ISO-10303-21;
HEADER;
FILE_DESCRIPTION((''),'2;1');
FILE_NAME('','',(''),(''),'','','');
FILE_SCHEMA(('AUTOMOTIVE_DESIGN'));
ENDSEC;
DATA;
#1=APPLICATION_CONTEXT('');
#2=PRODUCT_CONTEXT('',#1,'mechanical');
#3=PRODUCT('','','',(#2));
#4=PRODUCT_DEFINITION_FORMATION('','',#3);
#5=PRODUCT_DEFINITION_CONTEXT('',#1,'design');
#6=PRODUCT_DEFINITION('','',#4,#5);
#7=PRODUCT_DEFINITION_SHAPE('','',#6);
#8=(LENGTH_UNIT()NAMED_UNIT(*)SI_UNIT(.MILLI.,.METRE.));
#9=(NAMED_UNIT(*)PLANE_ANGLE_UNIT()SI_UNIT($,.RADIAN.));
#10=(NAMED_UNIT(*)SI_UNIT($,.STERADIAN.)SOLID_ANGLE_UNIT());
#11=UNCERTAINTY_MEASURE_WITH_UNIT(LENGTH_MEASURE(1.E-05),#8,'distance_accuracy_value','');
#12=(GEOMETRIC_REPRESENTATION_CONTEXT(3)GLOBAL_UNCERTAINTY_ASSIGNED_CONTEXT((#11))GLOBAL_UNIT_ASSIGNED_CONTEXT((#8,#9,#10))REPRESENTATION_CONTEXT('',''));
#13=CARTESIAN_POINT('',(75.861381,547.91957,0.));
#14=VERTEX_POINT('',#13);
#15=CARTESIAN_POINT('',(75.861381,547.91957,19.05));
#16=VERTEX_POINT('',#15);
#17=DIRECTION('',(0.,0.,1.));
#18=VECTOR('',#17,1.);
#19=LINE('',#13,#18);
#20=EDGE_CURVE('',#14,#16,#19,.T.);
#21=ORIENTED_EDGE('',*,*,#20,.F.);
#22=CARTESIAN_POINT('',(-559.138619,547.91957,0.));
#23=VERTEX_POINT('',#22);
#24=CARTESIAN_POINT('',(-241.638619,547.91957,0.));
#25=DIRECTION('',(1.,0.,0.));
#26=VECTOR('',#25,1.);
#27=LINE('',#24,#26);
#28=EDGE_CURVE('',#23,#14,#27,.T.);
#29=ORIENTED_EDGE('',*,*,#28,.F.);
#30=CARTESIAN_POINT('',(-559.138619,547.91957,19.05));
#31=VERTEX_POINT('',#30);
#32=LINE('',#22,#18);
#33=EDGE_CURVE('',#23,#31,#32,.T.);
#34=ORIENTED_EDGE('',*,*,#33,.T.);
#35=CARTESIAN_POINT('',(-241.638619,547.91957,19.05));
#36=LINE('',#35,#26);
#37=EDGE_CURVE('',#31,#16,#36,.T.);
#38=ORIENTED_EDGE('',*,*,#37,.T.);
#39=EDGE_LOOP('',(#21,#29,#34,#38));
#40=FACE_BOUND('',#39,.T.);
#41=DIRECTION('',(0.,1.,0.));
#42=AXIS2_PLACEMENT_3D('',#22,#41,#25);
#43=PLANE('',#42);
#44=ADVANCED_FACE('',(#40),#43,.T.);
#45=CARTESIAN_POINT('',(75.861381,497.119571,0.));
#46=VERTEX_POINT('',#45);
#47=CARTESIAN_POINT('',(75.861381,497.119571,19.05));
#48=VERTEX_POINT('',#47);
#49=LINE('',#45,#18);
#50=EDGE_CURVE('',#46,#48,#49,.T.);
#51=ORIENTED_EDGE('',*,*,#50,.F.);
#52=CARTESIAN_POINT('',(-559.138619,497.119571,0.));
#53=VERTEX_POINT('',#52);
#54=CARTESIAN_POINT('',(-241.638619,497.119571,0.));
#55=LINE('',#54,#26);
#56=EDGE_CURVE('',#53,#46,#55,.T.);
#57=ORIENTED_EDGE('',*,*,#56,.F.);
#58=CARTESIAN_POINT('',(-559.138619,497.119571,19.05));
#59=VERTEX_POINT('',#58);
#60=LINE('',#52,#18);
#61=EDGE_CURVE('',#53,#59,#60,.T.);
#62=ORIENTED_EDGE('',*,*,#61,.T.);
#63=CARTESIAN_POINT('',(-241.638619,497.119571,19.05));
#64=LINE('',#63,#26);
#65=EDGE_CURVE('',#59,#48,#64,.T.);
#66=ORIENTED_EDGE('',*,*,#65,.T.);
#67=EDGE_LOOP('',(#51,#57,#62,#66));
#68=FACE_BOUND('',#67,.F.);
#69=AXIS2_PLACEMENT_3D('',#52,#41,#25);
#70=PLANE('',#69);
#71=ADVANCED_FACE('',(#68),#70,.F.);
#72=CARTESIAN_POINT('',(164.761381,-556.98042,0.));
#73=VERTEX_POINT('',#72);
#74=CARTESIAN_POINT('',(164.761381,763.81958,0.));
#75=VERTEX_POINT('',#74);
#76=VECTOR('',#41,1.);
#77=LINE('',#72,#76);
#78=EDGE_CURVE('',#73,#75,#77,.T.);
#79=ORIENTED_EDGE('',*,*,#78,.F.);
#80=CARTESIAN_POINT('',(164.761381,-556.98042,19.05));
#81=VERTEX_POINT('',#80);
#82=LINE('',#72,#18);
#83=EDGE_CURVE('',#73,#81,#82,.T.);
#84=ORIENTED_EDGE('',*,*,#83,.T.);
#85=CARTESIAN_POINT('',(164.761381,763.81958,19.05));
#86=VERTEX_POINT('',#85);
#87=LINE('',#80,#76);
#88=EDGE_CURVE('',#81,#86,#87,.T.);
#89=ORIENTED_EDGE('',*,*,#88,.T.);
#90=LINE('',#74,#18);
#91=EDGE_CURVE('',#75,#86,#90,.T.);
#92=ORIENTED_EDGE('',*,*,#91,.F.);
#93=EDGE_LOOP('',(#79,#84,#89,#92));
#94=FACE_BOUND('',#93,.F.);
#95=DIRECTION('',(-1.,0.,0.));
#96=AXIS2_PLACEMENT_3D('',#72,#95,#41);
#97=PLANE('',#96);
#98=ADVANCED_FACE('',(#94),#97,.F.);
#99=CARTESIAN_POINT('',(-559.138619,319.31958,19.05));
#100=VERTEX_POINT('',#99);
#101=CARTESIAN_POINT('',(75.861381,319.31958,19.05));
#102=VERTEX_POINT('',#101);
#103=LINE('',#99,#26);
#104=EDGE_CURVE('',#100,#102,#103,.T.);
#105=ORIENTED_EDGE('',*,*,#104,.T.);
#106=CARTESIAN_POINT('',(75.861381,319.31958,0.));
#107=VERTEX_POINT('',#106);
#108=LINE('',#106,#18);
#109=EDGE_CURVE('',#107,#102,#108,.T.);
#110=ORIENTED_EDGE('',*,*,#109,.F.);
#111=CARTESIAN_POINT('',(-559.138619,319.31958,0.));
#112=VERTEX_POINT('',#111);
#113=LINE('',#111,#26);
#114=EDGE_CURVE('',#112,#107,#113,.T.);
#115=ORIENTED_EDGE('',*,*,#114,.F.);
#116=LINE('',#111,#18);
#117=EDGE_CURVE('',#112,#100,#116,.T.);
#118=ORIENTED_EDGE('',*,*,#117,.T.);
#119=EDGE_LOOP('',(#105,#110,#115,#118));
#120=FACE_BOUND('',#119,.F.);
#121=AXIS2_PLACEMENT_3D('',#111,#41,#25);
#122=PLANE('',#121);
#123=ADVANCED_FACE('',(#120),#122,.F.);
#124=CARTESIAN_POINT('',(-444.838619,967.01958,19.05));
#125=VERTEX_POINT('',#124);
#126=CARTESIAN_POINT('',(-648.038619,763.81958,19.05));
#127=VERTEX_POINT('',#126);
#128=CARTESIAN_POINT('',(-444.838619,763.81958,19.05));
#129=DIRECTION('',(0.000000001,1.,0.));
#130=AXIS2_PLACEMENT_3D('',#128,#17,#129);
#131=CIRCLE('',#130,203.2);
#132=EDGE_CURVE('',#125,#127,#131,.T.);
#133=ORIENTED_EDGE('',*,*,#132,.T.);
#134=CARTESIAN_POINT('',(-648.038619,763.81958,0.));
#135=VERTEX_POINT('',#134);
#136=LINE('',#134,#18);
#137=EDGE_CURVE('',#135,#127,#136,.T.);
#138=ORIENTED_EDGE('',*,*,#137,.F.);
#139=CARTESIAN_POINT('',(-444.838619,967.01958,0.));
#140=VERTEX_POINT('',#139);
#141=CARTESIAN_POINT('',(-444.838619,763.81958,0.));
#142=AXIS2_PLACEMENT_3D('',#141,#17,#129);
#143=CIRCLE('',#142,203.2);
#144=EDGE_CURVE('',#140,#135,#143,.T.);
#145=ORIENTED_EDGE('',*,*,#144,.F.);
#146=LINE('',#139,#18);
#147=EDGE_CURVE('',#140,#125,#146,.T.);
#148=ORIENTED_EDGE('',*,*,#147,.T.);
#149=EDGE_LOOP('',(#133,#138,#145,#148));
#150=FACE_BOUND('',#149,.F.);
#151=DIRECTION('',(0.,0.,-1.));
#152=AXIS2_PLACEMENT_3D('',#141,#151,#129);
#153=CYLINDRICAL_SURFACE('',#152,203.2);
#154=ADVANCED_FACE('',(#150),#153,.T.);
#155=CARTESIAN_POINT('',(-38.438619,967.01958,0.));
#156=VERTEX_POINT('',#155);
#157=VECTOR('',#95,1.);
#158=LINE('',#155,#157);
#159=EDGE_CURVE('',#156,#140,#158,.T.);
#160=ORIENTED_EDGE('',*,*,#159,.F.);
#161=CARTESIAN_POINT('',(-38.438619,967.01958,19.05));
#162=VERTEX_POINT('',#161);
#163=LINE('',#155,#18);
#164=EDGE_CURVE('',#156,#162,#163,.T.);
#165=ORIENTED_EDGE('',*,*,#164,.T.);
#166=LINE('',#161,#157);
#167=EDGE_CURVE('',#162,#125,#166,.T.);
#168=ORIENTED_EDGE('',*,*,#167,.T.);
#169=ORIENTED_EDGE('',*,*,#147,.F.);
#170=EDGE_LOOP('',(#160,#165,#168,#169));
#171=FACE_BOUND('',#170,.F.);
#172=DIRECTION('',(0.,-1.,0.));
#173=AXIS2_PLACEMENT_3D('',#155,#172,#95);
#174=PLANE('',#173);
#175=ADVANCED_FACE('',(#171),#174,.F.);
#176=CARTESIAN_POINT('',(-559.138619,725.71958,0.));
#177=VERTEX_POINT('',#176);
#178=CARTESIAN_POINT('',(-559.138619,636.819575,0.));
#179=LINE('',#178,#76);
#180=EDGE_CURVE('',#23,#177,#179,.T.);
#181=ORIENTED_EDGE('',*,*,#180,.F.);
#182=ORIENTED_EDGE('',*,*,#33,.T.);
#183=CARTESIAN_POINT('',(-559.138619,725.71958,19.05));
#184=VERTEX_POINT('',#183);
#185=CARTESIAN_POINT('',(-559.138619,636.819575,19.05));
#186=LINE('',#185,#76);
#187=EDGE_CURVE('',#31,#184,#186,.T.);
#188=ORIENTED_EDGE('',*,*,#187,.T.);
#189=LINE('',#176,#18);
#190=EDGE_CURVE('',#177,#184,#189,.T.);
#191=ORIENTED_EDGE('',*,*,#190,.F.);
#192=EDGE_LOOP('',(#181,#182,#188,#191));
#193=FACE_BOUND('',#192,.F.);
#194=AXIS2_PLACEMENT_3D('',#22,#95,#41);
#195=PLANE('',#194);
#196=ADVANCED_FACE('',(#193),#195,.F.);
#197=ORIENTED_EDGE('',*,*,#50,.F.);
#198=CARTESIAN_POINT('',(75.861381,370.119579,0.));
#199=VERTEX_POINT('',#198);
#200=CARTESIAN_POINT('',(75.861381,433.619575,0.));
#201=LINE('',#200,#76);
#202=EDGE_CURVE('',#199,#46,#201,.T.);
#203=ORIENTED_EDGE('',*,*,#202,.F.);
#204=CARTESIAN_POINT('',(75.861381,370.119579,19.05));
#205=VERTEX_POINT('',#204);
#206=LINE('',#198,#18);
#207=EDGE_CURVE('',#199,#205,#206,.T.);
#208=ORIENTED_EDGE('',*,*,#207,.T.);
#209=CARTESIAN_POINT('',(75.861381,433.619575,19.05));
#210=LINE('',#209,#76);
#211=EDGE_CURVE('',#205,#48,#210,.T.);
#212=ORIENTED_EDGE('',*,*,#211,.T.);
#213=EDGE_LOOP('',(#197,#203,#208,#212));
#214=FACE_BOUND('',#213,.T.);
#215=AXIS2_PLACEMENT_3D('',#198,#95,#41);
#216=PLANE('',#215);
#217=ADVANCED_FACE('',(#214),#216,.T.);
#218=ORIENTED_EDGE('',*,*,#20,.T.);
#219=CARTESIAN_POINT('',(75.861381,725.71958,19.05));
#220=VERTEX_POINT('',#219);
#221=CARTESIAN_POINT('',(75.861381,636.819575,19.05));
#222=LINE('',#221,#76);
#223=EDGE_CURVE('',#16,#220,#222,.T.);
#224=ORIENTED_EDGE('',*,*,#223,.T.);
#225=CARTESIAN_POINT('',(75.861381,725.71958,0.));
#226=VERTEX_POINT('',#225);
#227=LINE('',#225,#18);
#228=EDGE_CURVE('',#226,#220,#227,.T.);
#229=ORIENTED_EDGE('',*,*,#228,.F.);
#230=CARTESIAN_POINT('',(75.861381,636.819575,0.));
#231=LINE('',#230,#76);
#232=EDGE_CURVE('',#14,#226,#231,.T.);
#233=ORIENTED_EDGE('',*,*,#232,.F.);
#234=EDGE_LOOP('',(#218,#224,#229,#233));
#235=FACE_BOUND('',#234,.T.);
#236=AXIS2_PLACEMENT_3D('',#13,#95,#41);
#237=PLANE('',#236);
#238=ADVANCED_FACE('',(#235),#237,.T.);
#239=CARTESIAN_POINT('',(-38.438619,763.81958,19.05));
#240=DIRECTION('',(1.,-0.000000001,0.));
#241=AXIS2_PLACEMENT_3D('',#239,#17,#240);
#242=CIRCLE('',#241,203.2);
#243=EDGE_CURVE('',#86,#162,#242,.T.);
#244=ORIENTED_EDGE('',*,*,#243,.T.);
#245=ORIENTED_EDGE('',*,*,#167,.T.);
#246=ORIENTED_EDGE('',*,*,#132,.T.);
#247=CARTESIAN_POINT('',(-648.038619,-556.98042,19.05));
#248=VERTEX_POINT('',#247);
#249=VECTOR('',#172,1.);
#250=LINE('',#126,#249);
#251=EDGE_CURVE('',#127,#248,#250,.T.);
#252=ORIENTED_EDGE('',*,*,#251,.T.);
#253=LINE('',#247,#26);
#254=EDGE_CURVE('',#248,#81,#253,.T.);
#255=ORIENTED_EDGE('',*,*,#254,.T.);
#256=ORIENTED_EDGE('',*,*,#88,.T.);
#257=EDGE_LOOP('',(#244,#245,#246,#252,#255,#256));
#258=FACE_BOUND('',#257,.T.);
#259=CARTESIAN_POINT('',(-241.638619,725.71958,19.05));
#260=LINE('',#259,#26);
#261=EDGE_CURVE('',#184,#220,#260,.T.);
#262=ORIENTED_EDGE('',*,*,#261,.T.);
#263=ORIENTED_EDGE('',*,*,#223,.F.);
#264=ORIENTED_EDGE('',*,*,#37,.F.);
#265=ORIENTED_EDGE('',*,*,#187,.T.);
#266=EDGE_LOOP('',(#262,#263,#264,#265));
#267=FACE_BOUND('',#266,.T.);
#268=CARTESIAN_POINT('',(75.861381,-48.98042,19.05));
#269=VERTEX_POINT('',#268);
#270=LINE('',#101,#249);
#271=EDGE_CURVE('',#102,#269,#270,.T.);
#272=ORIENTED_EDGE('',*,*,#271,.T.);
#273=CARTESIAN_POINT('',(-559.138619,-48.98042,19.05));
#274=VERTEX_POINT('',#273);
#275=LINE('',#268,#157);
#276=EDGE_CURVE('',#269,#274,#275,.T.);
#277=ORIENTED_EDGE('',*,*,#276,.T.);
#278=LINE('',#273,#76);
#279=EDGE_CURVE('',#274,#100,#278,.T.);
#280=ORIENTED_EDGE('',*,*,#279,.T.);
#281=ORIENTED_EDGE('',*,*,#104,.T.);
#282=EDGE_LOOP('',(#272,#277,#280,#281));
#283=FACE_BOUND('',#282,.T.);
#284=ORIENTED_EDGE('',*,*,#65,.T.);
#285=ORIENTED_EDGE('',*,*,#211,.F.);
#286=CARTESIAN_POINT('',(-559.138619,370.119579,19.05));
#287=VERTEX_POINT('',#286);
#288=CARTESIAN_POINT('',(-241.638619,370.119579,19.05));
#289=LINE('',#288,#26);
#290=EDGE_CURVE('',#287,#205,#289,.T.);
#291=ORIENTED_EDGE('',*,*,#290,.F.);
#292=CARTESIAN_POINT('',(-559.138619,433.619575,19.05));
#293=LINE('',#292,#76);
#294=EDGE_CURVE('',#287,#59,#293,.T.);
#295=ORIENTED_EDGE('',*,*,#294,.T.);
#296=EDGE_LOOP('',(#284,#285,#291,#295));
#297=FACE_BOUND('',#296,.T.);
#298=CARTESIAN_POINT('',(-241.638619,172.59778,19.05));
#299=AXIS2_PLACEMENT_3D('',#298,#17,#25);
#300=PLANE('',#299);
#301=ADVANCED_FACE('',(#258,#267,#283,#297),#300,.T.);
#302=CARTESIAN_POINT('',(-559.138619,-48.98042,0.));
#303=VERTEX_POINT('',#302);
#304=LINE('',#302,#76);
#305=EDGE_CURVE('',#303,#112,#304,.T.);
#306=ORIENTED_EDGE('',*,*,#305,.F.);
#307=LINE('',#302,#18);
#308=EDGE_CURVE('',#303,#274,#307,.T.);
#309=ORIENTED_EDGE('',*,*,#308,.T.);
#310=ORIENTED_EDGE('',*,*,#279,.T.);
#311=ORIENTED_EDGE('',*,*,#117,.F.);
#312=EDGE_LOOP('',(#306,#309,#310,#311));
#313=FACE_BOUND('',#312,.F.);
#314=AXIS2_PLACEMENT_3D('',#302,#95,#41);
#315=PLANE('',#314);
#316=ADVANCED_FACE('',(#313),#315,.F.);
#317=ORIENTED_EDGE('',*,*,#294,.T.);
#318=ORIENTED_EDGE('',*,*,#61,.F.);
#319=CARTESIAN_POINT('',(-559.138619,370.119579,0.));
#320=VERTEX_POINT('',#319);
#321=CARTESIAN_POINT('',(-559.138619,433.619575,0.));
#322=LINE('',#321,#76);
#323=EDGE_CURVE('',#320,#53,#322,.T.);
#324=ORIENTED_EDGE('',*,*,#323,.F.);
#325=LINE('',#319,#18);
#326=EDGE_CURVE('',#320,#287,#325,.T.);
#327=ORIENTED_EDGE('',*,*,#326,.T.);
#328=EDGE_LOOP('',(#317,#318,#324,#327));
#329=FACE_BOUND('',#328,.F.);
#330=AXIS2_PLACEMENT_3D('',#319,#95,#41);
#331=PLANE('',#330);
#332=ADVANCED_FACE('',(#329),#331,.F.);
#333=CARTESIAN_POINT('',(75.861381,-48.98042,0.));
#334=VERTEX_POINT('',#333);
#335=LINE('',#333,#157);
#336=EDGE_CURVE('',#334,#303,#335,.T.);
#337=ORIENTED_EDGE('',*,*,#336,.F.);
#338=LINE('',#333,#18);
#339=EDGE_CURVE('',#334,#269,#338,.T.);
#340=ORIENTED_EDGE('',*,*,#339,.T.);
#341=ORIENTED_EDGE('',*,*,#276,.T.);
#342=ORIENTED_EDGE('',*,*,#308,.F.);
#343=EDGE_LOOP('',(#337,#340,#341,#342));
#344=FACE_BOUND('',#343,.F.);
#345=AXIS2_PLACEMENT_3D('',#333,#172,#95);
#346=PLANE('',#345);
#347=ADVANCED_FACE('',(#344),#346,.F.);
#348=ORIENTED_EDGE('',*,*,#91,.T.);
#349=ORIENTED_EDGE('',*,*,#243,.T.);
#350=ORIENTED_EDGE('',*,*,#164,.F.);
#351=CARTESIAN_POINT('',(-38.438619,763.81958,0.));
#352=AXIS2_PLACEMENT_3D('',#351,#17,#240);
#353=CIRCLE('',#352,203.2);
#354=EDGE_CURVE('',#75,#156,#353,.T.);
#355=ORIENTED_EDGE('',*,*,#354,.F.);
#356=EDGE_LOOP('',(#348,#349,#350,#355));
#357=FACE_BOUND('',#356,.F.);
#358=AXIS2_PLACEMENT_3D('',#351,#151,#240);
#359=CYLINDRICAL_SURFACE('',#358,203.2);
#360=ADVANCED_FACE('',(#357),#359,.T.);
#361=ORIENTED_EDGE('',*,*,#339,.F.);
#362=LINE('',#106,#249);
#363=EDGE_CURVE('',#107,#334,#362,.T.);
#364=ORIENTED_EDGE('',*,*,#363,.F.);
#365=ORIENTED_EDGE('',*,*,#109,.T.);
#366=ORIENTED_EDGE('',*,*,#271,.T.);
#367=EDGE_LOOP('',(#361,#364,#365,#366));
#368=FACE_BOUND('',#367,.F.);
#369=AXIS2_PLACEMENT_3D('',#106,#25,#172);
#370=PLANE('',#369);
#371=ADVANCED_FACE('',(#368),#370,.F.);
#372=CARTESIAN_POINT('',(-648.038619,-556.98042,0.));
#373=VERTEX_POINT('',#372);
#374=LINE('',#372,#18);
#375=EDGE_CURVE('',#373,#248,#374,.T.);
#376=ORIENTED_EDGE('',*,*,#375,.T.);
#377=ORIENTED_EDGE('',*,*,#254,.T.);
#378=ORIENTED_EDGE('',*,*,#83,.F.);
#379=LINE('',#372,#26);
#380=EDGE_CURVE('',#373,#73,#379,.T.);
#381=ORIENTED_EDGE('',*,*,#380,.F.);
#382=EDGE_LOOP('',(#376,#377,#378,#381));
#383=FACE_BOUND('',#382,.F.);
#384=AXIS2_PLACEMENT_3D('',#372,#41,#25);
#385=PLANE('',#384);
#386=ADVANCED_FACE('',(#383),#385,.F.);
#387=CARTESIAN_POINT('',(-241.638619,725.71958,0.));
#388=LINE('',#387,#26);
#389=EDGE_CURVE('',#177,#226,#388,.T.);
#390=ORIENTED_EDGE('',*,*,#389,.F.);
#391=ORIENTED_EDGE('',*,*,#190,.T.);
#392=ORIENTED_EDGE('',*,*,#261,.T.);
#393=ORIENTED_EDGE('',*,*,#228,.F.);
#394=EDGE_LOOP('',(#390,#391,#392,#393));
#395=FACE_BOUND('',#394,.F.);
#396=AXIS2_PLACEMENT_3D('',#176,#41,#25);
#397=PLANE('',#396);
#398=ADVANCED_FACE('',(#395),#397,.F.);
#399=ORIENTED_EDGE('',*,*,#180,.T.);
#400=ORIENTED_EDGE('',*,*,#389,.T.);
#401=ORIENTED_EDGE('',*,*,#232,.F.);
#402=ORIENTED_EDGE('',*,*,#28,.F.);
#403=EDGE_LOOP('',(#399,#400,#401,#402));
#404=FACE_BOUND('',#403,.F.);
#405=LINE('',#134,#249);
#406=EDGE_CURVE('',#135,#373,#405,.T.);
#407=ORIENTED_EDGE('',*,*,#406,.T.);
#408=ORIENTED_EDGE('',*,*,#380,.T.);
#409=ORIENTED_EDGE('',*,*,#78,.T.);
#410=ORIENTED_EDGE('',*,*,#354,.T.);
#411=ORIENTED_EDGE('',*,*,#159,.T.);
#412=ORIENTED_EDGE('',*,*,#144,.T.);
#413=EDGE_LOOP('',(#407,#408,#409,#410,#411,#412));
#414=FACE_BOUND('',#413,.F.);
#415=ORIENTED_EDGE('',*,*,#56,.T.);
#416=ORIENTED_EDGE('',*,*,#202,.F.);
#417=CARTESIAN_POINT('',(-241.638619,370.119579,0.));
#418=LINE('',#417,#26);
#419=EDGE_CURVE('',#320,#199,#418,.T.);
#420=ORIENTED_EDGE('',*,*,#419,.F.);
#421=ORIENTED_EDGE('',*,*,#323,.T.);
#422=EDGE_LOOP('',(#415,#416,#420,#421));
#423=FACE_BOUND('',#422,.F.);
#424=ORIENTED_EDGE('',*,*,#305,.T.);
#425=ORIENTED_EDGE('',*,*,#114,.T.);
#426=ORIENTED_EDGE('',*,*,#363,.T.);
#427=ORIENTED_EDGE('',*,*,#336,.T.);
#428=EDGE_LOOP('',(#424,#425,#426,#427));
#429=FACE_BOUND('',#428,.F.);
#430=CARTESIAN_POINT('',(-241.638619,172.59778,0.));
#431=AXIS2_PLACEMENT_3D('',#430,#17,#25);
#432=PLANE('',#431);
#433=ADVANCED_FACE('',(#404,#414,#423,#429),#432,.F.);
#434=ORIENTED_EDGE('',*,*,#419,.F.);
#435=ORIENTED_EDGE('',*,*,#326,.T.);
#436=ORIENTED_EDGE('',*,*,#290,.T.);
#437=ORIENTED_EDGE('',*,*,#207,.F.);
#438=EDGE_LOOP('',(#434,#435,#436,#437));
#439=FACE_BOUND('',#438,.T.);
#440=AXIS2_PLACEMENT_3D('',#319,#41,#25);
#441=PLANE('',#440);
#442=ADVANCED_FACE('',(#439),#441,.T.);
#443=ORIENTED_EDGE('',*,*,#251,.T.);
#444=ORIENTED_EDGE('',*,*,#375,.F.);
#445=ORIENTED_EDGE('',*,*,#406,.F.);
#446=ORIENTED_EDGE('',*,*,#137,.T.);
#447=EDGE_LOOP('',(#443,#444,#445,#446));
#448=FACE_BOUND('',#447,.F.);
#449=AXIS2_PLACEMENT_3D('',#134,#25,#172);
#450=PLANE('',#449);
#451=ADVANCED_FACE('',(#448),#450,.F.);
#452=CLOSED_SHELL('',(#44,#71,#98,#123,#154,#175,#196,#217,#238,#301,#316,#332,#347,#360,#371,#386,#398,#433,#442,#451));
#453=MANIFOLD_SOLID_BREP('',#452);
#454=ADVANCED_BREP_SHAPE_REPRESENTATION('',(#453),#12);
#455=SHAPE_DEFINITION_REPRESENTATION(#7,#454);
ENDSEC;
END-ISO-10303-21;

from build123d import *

# Parameters (mm, degrees)
F0_W     = 635
F0_H     = 126.999991
F0_H_2   = 177.800009
F1_DEPTH = 19.05


with BuildPart() as f1:
    # F0 (on Top) → F1 (new body)
    with BuildSketch(Plane.XY):
        with BuildLine():
            Line((-648.038619, 763.81958), (-648.038619, -556.98042))
            Line((-648.038619, -556.98042), (164.761381, -556.98042))
            Line((164.761381, -556.98042), (164.761381, 763.81958))
            ThreePointArc((164.761381, 763.81958), (105.245479, 907.503678), (-38.438619, 967.01958))
            Line((-38.438619, 967.01958), (-444.838619, 967.01958))
            ThreePointArc((-444.838619, 967.01958), (-588.522717, 907.503678), (-648.038619, 763.81958))
        make_face()
        Polygon((75.861381, -48.98042), (-559.138619, -48.98042), (-559.138619, 90.71958), (-559.138619, 141.51958), (-559.138619, 319.31958), (75.861381, 319.31958), (75.861381, 141.51958), (75.861381, 90.71958), align=None, mode=Mode.SUBTRACT)
        with Locations((-241.638619, 433.619575)):
            Rectangle(F0_W, F0_H, mode=Mode.SUBTRACT)
        with Locations((-241.638619, 636.819575)):
            Rectangle(F0_W, F0_H_2, mode=Mode.SUBTRACT)
    extrude(amount=F1_DEPTH)


solid = f1.part
